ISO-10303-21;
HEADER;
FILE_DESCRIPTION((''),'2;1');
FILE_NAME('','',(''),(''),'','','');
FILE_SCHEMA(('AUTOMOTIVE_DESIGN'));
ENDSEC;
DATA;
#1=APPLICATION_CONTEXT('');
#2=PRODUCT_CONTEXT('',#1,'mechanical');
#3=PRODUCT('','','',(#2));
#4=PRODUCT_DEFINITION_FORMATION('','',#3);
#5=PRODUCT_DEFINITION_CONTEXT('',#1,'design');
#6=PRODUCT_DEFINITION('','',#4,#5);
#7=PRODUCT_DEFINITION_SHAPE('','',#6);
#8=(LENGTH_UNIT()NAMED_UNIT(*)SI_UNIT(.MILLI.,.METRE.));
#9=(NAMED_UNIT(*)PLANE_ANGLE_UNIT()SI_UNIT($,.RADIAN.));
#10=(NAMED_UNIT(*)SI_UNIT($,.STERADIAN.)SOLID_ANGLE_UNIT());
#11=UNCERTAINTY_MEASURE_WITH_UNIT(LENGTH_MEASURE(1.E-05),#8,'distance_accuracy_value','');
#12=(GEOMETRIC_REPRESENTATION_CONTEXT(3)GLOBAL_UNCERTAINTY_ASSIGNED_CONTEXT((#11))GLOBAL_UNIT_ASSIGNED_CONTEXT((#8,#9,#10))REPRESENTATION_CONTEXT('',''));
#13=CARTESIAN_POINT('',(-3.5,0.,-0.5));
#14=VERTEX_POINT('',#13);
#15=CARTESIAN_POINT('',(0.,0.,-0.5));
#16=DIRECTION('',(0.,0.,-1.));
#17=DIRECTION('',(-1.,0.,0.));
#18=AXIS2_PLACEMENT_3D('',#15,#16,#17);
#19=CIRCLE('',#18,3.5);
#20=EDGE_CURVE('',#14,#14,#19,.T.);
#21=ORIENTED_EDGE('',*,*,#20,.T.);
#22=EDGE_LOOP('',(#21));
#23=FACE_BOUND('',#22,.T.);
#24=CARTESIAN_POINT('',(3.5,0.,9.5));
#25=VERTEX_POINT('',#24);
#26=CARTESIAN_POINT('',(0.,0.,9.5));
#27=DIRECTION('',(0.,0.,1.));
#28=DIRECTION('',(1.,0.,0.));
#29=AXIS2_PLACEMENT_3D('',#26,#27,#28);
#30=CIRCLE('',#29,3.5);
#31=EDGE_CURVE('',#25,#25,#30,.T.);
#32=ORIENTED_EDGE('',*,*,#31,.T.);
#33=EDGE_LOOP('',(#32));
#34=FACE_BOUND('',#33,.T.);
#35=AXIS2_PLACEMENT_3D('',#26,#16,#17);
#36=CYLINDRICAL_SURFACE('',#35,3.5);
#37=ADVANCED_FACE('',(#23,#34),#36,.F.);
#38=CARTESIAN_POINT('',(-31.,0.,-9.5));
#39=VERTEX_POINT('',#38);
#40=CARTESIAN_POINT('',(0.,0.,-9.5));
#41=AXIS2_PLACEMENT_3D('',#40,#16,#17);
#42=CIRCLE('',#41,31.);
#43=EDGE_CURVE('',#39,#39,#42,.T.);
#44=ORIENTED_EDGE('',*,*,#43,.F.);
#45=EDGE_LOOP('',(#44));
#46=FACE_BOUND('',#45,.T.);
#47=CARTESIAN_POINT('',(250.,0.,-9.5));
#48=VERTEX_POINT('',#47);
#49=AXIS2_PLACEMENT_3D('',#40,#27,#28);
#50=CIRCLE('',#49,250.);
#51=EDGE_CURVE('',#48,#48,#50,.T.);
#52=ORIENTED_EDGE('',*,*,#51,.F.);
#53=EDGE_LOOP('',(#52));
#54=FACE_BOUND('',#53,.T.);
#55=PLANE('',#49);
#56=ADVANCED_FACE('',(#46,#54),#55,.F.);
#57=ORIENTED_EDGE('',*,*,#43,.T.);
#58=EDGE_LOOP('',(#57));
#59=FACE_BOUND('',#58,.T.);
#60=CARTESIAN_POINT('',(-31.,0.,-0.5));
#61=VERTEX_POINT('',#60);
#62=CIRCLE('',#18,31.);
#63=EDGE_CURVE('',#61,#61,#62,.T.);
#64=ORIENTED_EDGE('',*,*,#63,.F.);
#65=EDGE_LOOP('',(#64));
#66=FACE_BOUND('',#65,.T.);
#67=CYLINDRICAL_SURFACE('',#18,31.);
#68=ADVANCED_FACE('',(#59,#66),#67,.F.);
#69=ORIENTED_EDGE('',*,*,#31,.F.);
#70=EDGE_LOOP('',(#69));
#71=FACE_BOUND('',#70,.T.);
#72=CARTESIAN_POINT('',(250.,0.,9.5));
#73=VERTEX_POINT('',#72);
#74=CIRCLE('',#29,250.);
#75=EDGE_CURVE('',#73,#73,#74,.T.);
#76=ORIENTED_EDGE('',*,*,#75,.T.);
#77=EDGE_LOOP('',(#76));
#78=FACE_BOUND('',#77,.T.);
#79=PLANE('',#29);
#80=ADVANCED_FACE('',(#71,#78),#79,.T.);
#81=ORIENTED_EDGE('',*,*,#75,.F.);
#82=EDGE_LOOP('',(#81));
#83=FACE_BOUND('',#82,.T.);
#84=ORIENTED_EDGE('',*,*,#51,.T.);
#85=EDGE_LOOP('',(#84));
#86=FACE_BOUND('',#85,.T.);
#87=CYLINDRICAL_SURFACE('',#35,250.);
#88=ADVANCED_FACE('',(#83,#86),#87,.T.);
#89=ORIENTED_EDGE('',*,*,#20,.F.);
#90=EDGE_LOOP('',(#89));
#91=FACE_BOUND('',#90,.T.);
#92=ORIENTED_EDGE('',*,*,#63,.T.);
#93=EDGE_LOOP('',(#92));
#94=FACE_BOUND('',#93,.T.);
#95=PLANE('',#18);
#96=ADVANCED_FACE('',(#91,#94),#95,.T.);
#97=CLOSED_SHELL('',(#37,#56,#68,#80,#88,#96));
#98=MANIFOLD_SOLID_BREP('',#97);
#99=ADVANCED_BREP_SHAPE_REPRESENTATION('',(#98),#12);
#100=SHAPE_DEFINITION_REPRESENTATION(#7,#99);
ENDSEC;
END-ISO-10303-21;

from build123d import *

# Parameters (mm, degrees)
SKETCH2_R           = 250
SKETCH2_R_2         = 3.5
BOSS_EXTRUDE1_DEPTH = 9.5
SKETCH3_R           = 31
CUT_EXTRUDE1_DEPTH  = 9


with BuildPart() as part:
    # Sketch2 → Boss-Extrude1 (new, symmetric)
    with BuildSketch(Plane.XY):
        Circle(SKETCH2_R)
        Circle(SKETCH2_R_2, mode=Mode.SUBTRACT)
    extrude(amount=BOSS_EXTRUDE1_DEPTH, both=True)

    # Sketch3 → Cut-Extrude1 (cut)
    with BuildSketch(Plane(origin=(0, 0, -9.5), x_dir=(-1, 0, 0), z_dir=(0, 0, -1))):
        Circle(SKETCH3_R)
    extrude(amount=-CUT_EXTRUDE1_DEPTH, mode=Mode.SUBTRACT)


solid = part.part
